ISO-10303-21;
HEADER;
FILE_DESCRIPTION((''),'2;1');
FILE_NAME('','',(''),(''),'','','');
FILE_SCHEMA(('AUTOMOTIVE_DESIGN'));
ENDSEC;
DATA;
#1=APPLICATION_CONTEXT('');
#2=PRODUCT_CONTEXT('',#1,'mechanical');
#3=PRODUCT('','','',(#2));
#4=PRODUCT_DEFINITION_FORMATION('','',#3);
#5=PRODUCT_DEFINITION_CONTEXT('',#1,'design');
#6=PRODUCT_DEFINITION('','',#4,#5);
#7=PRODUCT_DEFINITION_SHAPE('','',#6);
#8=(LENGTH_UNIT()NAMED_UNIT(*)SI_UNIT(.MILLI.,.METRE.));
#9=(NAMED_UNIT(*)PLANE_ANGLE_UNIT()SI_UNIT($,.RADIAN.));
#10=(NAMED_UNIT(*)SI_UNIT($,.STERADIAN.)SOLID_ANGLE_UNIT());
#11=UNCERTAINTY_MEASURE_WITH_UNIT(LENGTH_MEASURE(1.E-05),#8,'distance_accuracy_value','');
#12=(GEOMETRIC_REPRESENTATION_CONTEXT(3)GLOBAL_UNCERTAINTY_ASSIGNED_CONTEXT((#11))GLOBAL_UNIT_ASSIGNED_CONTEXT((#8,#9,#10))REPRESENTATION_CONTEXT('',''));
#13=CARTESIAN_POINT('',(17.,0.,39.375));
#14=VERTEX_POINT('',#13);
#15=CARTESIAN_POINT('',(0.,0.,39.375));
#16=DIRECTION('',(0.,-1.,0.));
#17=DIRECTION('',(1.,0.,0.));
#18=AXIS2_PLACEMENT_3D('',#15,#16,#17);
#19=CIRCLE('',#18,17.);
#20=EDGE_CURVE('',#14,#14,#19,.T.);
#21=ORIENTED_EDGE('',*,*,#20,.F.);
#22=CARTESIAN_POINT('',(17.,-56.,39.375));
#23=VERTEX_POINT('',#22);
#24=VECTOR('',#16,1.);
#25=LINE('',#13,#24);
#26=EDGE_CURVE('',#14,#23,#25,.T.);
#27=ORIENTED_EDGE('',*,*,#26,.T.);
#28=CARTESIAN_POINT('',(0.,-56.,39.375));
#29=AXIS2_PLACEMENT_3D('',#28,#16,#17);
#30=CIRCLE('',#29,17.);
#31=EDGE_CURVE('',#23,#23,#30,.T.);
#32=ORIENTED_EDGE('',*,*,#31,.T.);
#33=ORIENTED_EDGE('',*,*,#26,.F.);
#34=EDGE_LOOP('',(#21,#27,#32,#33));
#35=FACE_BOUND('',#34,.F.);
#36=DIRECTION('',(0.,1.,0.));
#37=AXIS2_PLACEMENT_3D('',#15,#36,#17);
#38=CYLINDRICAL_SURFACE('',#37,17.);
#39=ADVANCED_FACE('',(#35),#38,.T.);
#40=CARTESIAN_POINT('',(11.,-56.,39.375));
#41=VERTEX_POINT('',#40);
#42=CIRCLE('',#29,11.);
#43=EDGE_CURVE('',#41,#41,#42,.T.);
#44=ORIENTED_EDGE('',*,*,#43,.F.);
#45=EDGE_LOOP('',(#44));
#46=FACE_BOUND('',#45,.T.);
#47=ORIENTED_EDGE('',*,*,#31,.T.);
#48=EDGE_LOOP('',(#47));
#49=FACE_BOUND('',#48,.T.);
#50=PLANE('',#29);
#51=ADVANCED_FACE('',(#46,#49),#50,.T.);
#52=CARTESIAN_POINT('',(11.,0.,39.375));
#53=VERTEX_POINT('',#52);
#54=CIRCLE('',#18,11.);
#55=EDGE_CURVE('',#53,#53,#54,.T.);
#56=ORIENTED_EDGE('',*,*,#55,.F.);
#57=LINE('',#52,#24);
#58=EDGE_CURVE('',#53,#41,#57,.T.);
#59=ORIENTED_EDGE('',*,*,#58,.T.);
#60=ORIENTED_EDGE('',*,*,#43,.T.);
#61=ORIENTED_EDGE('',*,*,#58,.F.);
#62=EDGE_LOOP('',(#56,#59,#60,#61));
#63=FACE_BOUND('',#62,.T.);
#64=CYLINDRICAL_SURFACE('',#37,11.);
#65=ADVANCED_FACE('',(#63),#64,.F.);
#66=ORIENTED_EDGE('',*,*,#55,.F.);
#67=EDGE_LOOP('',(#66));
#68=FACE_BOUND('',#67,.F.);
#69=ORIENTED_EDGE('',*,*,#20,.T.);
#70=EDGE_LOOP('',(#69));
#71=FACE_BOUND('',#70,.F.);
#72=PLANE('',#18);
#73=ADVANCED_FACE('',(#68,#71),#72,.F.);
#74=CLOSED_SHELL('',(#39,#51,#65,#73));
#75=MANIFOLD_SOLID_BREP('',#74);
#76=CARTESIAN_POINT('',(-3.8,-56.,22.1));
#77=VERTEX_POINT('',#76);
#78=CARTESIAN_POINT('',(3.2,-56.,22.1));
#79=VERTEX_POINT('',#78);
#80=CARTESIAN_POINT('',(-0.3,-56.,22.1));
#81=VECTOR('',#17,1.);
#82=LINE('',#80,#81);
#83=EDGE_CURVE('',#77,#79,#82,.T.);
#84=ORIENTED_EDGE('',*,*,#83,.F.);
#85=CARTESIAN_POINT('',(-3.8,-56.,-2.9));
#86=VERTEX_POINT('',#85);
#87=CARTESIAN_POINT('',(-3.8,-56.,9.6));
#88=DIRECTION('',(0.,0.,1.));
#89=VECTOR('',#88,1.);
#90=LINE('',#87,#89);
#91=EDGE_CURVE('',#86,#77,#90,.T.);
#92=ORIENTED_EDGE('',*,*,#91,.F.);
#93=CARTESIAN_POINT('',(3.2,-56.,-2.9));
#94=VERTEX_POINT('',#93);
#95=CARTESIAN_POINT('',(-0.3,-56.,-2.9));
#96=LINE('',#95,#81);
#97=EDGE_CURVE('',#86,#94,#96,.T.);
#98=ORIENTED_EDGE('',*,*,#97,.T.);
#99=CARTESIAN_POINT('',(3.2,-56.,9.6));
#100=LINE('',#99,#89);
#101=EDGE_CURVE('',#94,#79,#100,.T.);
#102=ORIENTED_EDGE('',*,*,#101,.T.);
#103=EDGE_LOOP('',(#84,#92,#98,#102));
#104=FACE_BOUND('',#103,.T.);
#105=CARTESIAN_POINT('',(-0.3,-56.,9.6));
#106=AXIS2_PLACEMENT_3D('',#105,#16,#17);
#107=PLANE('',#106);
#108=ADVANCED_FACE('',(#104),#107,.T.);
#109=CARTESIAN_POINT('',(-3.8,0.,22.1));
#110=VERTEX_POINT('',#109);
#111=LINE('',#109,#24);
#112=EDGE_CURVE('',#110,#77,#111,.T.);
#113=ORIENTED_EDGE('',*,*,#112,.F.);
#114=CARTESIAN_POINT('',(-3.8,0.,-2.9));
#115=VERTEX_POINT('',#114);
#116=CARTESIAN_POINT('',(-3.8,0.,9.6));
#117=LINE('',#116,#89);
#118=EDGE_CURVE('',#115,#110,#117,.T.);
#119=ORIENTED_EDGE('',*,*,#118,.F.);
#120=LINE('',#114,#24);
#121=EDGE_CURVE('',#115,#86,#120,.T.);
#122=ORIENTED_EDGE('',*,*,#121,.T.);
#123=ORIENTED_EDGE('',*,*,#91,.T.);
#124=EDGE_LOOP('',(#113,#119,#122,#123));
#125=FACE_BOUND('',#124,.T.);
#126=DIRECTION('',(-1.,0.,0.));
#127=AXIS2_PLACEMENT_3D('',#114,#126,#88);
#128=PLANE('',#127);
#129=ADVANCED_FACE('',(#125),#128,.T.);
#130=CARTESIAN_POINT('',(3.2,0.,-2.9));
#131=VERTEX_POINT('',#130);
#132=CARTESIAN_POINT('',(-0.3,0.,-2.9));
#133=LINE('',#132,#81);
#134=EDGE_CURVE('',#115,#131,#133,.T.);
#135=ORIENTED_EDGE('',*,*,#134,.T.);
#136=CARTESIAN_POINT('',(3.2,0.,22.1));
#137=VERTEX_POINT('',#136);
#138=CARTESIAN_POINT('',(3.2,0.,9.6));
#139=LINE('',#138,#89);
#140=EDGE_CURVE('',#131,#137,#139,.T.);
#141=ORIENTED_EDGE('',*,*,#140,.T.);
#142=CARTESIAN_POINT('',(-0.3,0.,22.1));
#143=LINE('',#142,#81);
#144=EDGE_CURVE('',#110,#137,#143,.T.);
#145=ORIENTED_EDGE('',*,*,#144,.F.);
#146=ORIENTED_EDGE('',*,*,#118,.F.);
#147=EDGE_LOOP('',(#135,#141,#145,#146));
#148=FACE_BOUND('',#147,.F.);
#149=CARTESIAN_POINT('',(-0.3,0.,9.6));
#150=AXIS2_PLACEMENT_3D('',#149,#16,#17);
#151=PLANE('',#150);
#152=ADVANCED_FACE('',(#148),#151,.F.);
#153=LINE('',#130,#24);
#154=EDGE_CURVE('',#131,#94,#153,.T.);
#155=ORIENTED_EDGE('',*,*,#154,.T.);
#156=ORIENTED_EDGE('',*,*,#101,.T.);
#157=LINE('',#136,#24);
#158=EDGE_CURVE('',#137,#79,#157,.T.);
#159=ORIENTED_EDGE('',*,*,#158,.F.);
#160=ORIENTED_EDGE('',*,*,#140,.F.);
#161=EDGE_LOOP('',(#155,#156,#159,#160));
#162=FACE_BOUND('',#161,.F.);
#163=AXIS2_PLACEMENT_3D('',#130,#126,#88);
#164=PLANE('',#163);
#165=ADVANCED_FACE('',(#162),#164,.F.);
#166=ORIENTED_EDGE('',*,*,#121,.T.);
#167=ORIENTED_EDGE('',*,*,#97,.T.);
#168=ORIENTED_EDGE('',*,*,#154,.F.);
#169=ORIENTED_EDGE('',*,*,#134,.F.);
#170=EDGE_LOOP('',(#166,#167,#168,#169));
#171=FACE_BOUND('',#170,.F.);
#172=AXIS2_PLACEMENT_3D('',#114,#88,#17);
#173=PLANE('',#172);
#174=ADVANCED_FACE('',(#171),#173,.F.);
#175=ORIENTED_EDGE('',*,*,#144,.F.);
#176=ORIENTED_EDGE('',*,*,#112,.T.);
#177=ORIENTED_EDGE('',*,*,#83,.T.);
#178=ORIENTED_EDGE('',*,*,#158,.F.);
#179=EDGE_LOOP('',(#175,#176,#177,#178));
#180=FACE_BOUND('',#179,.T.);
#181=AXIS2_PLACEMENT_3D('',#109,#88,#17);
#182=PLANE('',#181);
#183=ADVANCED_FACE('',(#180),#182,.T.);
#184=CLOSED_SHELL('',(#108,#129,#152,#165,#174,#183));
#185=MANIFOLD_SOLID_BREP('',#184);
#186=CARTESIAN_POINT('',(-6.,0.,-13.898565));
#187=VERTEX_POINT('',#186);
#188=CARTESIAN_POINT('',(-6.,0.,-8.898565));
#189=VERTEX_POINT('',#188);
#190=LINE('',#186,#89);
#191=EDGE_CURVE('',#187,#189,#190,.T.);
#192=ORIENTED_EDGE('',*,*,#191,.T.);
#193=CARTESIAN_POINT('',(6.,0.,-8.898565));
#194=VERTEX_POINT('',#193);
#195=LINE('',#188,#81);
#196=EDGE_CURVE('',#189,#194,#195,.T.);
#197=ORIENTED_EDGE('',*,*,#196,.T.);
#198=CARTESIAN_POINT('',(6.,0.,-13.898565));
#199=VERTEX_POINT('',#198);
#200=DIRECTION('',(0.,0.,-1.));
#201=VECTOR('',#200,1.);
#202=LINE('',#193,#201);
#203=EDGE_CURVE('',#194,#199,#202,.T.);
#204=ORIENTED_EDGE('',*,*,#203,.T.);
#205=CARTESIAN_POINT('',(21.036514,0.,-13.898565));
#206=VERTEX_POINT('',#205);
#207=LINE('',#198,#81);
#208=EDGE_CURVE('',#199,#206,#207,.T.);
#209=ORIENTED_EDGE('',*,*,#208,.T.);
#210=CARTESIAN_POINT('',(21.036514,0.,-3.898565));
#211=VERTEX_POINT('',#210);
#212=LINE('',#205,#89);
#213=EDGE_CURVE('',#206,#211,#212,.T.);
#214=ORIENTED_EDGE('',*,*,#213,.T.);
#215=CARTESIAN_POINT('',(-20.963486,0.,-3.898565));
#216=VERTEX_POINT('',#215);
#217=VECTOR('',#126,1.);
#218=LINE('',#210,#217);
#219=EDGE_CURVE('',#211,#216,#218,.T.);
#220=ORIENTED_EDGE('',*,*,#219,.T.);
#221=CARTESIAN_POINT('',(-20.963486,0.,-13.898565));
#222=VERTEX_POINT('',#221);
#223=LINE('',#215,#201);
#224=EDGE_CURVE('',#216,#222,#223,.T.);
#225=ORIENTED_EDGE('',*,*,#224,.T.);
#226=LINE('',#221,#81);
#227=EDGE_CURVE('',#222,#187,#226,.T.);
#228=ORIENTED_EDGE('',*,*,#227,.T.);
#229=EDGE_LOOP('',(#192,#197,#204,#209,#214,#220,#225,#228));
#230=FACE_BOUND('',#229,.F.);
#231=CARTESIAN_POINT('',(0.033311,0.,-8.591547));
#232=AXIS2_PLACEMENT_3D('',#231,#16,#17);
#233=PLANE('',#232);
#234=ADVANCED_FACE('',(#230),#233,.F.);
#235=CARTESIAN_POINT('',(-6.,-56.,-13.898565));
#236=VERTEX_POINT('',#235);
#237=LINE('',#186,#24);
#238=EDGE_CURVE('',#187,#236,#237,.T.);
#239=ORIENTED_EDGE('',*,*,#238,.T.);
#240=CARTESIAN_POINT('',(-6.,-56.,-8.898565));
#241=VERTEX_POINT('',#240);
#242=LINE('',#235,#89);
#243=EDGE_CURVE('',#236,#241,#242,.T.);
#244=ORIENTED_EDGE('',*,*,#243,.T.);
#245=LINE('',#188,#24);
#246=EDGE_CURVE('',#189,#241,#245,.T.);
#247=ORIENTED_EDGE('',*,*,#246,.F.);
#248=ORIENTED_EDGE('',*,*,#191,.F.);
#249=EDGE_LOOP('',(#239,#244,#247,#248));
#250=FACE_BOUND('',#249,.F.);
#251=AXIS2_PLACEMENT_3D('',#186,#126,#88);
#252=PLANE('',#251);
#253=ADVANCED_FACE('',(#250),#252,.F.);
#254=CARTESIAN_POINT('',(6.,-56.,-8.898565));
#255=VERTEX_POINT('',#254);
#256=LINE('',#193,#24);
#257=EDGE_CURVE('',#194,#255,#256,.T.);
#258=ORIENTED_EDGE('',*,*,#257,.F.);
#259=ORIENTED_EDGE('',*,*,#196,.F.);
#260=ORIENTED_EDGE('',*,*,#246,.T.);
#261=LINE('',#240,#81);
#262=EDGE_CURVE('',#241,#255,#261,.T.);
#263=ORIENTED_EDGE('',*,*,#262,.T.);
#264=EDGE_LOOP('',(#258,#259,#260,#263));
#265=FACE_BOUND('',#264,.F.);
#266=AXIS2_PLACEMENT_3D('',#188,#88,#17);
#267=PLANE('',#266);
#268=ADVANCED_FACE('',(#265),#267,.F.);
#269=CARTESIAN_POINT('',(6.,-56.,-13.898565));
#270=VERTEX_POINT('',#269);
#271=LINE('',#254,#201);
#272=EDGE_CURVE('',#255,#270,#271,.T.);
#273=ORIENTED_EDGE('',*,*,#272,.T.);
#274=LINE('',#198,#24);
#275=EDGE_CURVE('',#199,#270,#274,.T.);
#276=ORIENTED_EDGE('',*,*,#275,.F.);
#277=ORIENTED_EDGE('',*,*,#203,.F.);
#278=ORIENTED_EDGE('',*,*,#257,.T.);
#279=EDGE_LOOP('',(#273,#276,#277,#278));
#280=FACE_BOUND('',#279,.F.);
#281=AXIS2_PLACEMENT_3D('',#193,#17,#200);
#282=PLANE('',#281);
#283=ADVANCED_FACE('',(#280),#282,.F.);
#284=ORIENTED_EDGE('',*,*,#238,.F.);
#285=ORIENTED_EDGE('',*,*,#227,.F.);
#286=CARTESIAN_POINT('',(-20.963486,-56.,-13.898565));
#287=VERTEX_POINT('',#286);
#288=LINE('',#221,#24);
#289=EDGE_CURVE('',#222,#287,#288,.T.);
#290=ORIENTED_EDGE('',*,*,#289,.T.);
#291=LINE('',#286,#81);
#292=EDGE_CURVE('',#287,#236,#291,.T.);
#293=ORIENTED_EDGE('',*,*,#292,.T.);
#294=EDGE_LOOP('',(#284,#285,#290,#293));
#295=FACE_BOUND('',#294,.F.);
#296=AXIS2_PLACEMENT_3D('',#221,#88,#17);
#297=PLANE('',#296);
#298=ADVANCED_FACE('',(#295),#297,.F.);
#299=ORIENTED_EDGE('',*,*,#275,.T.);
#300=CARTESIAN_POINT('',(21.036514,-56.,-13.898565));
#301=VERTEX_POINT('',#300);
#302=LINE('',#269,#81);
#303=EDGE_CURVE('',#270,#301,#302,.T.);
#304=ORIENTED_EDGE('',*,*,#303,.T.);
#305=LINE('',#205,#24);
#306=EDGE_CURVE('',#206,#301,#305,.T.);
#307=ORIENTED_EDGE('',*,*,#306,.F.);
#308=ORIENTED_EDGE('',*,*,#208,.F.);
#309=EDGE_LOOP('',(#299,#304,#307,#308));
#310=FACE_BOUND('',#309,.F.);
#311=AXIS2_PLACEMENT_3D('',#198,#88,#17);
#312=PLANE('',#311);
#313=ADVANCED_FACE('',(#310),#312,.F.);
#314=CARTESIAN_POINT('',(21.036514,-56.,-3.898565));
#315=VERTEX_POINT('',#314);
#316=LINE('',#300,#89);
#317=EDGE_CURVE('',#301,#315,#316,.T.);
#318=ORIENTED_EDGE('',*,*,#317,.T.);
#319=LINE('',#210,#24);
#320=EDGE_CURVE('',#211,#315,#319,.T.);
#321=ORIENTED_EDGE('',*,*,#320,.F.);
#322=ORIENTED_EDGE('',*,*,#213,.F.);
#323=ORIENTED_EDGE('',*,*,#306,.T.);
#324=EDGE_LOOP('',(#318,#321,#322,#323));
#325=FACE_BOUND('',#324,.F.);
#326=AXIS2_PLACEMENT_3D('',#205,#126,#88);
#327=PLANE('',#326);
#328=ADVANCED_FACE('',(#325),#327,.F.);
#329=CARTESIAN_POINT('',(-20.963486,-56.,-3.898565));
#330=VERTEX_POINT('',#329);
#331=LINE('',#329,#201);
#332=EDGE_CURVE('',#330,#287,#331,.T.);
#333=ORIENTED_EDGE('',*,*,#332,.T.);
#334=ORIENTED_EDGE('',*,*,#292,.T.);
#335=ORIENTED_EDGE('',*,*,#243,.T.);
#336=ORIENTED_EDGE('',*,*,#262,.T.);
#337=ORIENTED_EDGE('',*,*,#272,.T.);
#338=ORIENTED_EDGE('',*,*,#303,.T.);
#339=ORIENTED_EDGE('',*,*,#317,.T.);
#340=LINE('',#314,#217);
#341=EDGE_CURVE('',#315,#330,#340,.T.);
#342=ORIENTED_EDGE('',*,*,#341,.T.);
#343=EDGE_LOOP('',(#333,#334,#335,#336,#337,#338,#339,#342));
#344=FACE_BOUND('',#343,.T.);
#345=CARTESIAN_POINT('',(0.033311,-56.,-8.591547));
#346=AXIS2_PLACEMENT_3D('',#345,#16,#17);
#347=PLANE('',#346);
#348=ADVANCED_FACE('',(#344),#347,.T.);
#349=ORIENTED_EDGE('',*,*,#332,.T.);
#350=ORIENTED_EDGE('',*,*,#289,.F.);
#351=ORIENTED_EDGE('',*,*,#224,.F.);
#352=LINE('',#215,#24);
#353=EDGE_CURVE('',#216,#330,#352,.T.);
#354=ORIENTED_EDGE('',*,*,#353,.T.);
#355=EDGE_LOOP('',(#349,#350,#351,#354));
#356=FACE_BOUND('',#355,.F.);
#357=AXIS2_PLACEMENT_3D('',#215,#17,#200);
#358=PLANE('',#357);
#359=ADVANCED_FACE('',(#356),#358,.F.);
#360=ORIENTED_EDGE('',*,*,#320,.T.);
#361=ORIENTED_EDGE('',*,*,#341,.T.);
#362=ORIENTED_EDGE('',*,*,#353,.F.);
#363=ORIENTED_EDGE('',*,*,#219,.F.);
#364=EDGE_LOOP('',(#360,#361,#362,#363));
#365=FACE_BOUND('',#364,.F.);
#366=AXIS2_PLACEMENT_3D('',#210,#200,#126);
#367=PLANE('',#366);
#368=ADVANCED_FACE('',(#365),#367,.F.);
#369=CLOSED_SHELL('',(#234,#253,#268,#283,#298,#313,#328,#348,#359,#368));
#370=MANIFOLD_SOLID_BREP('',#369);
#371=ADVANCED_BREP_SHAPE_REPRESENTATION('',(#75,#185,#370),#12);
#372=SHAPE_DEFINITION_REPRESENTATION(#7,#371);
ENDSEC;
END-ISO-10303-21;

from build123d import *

# Parameters (mm, degrees)
F1_W     = 7
F1_H     = 25
F0_R     = 17
F0_R_2   = 11
F2_DEPTH = 56


with BuildPart() as f2:
    # F1 (on Front) + F0 (on Front) → F2 (new body)
    with BuildSketch(Plane.XZ):
        with Locations((-0.3, 9.6)):
            Rectangle(F1_W, F1_H)
        Polygon((6, -13.898565), (21.036514, -13.898565), (21.036514, -3.898565), (-20.963486, -3.898565), (-20.963486, -13.898565), (-6, -13.898565), (-6, -8.898565), (6, -8.898565), align=None)
    with BuildSketch(Plane.XZ):
        with Locations((0, 39.375)):
            Circle(F0_R)
        with Locations((0, 39.375)):
            Circle(F0_R_2, mode=Mode.SUBTRACT)
    extrude(amount=F2_DEPTH)


solid = f2.part
